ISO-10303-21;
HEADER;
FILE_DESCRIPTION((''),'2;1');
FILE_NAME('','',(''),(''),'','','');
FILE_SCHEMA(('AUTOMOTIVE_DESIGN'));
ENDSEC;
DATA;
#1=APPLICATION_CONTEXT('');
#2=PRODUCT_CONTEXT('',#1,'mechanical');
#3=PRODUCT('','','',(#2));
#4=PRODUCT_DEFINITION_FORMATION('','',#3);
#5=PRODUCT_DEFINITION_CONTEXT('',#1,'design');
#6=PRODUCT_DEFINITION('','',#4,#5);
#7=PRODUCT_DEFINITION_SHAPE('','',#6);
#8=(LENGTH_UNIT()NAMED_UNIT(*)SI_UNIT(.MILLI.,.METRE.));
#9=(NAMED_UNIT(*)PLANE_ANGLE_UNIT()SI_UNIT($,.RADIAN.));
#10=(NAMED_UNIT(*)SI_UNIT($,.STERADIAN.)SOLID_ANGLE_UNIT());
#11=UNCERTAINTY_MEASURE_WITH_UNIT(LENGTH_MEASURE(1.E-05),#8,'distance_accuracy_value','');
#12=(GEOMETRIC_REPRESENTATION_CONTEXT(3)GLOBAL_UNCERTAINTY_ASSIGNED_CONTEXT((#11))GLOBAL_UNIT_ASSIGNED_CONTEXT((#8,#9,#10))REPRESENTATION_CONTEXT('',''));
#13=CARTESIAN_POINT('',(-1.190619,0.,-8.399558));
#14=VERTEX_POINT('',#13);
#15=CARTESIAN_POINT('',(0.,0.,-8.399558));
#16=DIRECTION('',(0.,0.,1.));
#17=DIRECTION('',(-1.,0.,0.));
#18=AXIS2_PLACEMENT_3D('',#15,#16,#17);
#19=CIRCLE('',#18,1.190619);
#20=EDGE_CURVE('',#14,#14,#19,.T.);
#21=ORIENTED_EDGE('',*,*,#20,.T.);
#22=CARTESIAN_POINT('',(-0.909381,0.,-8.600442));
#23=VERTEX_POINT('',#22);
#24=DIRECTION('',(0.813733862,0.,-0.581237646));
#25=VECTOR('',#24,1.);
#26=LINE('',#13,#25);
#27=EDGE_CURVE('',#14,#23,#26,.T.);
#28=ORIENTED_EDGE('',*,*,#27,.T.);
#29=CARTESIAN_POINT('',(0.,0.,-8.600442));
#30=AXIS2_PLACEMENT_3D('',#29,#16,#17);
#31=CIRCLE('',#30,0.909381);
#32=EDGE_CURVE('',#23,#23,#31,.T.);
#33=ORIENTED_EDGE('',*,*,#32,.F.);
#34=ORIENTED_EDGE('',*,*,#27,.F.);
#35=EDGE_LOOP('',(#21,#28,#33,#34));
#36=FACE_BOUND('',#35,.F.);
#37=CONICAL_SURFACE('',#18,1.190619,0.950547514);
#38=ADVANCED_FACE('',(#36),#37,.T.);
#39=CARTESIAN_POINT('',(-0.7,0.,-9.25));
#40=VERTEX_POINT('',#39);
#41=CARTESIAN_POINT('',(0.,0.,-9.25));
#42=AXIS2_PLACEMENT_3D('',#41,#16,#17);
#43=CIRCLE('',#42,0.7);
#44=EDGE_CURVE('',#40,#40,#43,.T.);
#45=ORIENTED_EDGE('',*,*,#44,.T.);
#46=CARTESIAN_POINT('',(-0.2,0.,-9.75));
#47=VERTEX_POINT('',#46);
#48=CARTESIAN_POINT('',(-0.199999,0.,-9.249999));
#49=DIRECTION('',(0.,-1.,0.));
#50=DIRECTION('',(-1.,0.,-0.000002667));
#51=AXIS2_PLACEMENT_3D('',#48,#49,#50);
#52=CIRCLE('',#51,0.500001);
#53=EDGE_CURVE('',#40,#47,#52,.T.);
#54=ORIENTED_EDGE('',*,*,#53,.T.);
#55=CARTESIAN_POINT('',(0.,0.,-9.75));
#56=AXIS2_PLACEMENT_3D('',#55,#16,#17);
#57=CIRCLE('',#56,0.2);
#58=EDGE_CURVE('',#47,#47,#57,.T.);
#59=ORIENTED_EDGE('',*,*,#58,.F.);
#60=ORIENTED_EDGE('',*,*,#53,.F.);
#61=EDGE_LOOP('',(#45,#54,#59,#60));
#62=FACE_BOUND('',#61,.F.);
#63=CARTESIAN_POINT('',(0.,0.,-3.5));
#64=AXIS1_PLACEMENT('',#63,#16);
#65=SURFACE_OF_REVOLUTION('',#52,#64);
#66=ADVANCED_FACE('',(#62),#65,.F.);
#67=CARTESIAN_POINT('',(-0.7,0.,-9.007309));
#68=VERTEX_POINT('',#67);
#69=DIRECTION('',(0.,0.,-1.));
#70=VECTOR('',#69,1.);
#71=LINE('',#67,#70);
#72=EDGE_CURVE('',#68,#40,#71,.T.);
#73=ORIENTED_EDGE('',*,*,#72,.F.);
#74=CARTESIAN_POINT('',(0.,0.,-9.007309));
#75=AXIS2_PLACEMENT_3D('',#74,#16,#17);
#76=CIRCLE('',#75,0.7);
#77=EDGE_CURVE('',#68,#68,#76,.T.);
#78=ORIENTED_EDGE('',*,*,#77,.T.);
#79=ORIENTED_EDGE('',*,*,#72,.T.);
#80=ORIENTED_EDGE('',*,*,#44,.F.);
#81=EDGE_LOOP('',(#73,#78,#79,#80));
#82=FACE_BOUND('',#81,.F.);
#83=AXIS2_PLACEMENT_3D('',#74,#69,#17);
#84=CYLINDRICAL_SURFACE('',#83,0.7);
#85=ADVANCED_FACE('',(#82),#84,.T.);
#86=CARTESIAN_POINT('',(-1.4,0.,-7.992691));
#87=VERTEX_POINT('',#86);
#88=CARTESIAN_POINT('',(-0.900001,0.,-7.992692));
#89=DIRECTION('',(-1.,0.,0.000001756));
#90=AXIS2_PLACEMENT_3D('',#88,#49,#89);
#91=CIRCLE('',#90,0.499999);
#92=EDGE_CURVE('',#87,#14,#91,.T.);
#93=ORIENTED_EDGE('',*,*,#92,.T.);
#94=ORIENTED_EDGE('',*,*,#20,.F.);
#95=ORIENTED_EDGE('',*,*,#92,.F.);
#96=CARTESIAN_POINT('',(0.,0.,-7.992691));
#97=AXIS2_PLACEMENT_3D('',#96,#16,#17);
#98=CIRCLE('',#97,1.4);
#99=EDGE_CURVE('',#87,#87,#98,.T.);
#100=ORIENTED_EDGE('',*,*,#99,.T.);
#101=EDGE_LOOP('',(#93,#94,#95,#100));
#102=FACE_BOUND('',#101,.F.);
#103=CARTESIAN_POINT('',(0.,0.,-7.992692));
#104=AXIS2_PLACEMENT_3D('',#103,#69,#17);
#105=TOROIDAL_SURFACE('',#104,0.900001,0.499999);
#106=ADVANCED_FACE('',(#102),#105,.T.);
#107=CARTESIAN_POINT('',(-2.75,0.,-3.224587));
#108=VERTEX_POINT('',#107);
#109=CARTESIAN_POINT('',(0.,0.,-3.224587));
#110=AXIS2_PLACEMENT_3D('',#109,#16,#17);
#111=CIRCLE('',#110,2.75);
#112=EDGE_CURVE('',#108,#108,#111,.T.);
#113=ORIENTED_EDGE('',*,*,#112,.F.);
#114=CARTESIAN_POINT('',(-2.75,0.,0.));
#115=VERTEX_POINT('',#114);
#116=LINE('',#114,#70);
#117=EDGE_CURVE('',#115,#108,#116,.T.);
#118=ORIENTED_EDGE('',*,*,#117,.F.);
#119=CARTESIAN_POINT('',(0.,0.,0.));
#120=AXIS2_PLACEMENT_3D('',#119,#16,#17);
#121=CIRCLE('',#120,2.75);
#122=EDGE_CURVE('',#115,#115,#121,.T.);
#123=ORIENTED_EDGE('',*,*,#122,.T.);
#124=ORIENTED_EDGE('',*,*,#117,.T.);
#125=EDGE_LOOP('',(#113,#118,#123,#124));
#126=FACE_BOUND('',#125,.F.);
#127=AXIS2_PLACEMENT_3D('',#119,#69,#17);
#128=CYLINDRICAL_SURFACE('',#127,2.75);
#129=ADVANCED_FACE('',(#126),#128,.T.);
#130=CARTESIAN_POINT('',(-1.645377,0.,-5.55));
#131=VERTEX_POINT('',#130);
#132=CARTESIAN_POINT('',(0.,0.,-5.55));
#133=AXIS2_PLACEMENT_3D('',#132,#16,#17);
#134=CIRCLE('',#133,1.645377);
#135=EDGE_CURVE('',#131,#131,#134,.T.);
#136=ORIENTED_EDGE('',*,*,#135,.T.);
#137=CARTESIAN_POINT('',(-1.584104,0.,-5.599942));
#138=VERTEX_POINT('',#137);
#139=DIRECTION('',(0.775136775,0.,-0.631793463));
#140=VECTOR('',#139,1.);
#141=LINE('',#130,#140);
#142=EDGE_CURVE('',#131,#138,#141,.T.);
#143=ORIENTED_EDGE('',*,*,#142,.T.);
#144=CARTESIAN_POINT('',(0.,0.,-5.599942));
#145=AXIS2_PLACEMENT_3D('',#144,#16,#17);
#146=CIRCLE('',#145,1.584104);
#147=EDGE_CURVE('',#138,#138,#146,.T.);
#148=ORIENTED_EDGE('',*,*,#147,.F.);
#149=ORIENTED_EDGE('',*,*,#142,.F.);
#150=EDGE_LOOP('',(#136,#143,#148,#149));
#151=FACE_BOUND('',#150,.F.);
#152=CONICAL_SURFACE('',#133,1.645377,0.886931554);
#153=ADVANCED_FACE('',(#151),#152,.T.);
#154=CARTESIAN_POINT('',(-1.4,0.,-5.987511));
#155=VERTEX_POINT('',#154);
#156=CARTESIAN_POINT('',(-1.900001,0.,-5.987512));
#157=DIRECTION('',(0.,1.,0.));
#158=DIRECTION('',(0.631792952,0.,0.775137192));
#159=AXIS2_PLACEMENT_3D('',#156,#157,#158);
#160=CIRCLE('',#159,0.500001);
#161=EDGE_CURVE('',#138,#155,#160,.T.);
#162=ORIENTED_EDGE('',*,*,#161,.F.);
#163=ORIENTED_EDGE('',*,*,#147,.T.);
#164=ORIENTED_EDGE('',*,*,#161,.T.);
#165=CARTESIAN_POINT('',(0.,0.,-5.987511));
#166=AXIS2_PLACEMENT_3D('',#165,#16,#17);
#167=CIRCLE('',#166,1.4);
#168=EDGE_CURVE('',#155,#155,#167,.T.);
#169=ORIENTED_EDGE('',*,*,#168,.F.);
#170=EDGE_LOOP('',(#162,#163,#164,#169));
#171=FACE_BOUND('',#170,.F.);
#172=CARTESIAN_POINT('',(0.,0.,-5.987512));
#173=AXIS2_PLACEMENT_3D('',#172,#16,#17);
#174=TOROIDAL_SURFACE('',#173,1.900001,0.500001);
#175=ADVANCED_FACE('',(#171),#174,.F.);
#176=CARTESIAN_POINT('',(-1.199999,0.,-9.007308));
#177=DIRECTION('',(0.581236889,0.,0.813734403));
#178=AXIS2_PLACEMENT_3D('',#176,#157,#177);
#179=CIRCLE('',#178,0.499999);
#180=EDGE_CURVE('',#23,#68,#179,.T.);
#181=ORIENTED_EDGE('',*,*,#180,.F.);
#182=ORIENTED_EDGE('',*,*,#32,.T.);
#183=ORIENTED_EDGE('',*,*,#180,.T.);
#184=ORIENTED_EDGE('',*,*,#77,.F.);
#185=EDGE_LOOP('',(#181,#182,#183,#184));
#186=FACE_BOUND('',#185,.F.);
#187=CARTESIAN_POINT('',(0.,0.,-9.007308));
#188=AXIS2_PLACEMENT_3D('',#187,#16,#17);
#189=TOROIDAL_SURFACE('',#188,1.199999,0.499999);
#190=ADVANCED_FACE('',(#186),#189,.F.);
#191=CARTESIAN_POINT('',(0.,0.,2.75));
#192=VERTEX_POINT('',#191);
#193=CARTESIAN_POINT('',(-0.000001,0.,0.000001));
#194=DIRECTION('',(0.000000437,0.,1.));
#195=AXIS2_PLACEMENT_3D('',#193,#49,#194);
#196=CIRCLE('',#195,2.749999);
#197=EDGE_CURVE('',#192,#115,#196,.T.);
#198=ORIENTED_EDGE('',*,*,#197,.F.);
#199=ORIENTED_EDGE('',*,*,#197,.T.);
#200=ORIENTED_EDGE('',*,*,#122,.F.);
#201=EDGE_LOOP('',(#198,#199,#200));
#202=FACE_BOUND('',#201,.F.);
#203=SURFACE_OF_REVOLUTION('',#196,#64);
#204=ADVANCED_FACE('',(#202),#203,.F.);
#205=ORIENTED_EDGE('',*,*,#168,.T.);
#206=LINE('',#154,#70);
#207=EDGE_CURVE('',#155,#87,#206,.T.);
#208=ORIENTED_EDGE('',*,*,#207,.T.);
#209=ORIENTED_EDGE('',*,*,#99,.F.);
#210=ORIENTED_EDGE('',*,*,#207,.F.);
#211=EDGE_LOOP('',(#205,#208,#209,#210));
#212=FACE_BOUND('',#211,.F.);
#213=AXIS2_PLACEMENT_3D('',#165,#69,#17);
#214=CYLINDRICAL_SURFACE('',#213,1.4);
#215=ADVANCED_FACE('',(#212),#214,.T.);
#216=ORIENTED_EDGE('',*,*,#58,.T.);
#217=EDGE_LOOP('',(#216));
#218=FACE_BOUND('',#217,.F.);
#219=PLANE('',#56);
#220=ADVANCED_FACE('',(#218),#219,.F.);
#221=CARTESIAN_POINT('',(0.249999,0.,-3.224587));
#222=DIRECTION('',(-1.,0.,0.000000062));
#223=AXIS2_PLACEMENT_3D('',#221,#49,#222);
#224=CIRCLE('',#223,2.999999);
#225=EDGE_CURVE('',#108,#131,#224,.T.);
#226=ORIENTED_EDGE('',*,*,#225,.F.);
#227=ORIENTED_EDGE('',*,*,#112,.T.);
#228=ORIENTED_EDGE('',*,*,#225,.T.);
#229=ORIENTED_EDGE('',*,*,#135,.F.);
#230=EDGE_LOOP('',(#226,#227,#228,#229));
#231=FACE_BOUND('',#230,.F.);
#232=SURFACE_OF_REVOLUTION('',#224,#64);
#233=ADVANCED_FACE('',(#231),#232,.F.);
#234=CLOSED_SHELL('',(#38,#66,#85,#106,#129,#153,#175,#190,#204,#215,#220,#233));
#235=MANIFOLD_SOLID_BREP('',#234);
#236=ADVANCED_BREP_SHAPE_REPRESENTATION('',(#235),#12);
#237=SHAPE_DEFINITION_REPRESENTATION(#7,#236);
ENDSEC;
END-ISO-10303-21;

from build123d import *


with BuildPart() as f1:
    # F0 (on Front) → F1 (revolve)
    with BuildSketch(Plane.XZ):
        with BuildLine():
            Line((0, -9.75), (0, -2.75))
            Line((0, -2.75), (0, 2.75))
            ThreePointArc((0, 2.75), (-1.944544, 1.944544), (-2.75, 0))
            Line((-2.75, 0), (-2.75, -3.224587))
            ThreePointArc((-2.75, -3.224587), (-2.459809, -4.511807), (-1.645377, -5.55))
            Line((-1.645377, -5.55), (-1.584104, -5.599942))
            ThreePointArc((-1.584104, -5.599942), (-1.448365, -5.772975), (-1.4, -5.987511))
            Line((-1.4, -5.987511), (-1.4, -7.992691))
            ThreePointArc((-1.4, -7.992691), (-1.344584, -8.221482), (-1.190619, -8.399558))
            Line((-1.190619, -8.399558), (-0.909381, -8.600442))
            ThreePointArc((-0.909381, -8.600442), (-0.755416, -8.778518), (-0.7, -9.007309))
            Line((-0.7, -9.007309), (-0.7, -9.25))
            ThreePointArc((-0.7, -9.25), (-0.553553, -9.603553), (-0.2, -9.75))
            Line((-0.2, -9.75), (0, -9.75))
        make_face()
    revolve(axis=Axis((0, 0, -3.5), (0, 0, 1)))


solid = f1.part
